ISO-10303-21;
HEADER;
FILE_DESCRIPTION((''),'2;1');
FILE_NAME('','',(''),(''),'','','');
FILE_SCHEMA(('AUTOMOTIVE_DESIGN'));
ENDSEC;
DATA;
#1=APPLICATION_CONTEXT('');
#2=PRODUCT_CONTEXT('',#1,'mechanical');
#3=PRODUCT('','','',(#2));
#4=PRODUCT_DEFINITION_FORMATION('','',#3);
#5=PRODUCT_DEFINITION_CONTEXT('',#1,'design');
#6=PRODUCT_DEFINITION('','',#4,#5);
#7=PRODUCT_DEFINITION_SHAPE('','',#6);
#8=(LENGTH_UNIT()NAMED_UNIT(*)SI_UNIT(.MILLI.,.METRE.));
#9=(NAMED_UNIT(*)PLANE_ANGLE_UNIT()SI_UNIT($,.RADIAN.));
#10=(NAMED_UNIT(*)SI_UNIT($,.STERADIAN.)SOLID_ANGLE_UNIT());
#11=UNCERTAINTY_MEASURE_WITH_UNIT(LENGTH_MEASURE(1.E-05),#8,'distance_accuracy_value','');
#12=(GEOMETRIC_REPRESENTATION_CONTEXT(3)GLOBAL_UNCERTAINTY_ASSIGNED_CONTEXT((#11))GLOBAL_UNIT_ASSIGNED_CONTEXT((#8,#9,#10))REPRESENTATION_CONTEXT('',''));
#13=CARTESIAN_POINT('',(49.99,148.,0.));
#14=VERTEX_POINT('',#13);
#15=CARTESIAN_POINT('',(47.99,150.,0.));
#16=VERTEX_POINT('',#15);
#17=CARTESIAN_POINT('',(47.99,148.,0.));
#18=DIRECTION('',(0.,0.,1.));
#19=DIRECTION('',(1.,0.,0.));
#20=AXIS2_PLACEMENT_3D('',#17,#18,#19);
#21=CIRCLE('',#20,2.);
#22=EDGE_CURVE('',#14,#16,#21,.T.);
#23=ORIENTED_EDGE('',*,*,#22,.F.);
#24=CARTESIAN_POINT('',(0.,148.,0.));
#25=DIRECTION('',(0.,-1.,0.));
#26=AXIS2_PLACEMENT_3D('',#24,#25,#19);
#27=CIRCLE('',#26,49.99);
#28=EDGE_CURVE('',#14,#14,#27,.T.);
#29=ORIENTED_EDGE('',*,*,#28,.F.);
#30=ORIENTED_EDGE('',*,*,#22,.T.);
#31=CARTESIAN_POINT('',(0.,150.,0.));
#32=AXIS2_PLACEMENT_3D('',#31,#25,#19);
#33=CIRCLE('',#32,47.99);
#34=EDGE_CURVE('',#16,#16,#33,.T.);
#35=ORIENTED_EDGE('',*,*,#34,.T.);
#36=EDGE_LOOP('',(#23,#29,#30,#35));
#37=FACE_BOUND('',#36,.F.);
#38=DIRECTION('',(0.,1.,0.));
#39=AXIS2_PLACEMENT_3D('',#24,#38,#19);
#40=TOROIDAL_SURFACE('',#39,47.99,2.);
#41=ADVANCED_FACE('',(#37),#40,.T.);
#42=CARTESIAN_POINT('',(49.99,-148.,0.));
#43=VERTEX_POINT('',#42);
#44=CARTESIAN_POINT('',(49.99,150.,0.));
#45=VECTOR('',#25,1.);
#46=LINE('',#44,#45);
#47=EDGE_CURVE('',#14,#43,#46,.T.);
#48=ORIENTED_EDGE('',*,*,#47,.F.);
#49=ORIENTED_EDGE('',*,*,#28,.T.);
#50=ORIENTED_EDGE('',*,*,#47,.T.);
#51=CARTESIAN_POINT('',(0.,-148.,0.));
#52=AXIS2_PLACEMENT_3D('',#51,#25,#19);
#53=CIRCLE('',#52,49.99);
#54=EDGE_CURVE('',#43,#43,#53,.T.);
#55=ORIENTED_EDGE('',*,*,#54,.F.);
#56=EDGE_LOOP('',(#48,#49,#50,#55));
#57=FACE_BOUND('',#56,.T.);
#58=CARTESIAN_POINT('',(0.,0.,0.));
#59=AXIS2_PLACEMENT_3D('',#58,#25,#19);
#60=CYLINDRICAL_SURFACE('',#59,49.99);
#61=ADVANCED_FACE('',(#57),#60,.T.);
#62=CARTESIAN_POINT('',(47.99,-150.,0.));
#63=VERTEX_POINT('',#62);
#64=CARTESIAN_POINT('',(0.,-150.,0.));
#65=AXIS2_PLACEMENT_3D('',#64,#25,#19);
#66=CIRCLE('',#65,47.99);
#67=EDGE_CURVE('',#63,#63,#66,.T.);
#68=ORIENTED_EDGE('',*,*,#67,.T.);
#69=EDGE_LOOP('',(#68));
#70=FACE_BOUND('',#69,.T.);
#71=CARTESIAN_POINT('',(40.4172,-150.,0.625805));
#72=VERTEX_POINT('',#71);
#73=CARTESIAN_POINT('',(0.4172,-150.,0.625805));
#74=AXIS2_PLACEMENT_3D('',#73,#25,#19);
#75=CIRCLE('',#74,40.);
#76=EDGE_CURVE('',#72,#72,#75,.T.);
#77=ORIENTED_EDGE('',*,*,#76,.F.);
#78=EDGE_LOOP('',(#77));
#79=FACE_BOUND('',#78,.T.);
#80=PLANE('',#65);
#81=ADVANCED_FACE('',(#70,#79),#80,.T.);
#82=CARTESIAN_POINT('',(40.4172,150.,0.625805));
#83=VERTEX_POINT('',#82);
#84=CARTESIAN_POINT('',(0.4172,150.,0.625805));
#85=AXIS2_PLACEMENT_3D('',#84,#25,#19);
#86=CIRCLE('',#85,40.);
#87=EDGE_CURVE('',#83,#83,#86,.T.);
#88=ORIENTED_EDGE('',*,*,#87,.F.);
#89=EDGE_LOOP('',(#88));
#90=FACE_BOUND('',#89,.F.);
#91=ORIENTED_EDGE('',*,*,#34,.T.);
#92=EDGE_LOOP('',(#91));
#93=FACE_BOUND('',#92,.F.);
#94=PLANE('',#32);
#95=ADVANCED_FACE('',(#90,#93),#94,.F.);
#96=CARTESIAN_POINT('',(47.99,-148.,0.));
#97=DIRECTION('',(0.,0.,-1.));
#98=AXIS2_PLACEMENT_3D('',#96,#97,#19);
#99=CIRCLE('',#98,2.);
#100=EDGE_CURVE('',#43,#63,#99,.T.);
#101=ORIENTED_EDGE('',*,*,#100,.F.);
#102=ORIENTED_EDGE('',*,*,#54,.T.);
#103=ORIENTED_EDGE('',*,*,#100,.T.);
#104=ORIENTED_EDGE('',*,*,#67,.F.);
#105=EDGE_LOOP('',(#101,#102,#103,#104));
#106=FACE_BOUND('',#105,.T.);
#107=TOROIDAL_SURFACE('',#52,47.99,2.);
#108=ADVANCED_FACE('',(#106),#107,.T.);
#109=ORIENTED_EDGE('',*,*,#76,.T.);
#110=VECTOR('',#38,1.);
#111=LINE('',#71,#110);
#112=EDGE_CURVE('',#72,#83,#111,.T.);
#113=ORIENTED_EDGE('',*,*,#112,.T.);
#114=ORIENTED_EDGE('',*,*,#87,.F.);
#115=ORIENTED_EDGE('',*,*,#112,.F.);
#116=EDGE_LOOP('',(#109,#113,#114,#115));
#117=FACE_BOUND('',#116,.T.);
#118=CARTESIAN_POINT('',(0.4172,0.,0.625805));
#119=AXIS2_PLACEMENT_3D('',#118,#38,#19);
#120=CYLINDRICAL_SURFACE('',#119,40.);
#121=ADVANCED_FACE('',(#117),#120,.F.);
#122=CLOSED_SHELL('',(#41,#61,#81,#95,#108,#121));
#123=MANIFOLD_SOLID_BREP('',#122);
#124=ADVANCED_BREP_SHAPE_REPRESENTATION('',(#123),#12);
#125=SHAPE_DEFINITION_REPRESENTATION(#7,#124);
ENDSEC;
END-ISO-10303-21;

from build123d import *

# Parameters (mm, degrees)
F0_R     = 49.99
F0_R_2   = 40
F1_DEPTH = 150
F2_R     = 2


with BuildPart() as f1:
    # F0 (on Front) → F1 (new body, symmetric)
    with BuildSketch(Plane.XZ):
        Circle(F0_R)
        with Locations((0.4171997621, 0.6258051713)):
            Circle(F0_R_2, mode=Mode.SUBTRACT)
    extrude(amount=F1_DEPTH, both=True)

    # F2
    f2_edges = [f1.edges().sort_by_distance(p)[0] for p in [
        (-49.99, -150, 0),
        (-49.99, 150, 0),
    ]]
    fillet(f2_edges, radius=F2_R)


solid = f1.part
